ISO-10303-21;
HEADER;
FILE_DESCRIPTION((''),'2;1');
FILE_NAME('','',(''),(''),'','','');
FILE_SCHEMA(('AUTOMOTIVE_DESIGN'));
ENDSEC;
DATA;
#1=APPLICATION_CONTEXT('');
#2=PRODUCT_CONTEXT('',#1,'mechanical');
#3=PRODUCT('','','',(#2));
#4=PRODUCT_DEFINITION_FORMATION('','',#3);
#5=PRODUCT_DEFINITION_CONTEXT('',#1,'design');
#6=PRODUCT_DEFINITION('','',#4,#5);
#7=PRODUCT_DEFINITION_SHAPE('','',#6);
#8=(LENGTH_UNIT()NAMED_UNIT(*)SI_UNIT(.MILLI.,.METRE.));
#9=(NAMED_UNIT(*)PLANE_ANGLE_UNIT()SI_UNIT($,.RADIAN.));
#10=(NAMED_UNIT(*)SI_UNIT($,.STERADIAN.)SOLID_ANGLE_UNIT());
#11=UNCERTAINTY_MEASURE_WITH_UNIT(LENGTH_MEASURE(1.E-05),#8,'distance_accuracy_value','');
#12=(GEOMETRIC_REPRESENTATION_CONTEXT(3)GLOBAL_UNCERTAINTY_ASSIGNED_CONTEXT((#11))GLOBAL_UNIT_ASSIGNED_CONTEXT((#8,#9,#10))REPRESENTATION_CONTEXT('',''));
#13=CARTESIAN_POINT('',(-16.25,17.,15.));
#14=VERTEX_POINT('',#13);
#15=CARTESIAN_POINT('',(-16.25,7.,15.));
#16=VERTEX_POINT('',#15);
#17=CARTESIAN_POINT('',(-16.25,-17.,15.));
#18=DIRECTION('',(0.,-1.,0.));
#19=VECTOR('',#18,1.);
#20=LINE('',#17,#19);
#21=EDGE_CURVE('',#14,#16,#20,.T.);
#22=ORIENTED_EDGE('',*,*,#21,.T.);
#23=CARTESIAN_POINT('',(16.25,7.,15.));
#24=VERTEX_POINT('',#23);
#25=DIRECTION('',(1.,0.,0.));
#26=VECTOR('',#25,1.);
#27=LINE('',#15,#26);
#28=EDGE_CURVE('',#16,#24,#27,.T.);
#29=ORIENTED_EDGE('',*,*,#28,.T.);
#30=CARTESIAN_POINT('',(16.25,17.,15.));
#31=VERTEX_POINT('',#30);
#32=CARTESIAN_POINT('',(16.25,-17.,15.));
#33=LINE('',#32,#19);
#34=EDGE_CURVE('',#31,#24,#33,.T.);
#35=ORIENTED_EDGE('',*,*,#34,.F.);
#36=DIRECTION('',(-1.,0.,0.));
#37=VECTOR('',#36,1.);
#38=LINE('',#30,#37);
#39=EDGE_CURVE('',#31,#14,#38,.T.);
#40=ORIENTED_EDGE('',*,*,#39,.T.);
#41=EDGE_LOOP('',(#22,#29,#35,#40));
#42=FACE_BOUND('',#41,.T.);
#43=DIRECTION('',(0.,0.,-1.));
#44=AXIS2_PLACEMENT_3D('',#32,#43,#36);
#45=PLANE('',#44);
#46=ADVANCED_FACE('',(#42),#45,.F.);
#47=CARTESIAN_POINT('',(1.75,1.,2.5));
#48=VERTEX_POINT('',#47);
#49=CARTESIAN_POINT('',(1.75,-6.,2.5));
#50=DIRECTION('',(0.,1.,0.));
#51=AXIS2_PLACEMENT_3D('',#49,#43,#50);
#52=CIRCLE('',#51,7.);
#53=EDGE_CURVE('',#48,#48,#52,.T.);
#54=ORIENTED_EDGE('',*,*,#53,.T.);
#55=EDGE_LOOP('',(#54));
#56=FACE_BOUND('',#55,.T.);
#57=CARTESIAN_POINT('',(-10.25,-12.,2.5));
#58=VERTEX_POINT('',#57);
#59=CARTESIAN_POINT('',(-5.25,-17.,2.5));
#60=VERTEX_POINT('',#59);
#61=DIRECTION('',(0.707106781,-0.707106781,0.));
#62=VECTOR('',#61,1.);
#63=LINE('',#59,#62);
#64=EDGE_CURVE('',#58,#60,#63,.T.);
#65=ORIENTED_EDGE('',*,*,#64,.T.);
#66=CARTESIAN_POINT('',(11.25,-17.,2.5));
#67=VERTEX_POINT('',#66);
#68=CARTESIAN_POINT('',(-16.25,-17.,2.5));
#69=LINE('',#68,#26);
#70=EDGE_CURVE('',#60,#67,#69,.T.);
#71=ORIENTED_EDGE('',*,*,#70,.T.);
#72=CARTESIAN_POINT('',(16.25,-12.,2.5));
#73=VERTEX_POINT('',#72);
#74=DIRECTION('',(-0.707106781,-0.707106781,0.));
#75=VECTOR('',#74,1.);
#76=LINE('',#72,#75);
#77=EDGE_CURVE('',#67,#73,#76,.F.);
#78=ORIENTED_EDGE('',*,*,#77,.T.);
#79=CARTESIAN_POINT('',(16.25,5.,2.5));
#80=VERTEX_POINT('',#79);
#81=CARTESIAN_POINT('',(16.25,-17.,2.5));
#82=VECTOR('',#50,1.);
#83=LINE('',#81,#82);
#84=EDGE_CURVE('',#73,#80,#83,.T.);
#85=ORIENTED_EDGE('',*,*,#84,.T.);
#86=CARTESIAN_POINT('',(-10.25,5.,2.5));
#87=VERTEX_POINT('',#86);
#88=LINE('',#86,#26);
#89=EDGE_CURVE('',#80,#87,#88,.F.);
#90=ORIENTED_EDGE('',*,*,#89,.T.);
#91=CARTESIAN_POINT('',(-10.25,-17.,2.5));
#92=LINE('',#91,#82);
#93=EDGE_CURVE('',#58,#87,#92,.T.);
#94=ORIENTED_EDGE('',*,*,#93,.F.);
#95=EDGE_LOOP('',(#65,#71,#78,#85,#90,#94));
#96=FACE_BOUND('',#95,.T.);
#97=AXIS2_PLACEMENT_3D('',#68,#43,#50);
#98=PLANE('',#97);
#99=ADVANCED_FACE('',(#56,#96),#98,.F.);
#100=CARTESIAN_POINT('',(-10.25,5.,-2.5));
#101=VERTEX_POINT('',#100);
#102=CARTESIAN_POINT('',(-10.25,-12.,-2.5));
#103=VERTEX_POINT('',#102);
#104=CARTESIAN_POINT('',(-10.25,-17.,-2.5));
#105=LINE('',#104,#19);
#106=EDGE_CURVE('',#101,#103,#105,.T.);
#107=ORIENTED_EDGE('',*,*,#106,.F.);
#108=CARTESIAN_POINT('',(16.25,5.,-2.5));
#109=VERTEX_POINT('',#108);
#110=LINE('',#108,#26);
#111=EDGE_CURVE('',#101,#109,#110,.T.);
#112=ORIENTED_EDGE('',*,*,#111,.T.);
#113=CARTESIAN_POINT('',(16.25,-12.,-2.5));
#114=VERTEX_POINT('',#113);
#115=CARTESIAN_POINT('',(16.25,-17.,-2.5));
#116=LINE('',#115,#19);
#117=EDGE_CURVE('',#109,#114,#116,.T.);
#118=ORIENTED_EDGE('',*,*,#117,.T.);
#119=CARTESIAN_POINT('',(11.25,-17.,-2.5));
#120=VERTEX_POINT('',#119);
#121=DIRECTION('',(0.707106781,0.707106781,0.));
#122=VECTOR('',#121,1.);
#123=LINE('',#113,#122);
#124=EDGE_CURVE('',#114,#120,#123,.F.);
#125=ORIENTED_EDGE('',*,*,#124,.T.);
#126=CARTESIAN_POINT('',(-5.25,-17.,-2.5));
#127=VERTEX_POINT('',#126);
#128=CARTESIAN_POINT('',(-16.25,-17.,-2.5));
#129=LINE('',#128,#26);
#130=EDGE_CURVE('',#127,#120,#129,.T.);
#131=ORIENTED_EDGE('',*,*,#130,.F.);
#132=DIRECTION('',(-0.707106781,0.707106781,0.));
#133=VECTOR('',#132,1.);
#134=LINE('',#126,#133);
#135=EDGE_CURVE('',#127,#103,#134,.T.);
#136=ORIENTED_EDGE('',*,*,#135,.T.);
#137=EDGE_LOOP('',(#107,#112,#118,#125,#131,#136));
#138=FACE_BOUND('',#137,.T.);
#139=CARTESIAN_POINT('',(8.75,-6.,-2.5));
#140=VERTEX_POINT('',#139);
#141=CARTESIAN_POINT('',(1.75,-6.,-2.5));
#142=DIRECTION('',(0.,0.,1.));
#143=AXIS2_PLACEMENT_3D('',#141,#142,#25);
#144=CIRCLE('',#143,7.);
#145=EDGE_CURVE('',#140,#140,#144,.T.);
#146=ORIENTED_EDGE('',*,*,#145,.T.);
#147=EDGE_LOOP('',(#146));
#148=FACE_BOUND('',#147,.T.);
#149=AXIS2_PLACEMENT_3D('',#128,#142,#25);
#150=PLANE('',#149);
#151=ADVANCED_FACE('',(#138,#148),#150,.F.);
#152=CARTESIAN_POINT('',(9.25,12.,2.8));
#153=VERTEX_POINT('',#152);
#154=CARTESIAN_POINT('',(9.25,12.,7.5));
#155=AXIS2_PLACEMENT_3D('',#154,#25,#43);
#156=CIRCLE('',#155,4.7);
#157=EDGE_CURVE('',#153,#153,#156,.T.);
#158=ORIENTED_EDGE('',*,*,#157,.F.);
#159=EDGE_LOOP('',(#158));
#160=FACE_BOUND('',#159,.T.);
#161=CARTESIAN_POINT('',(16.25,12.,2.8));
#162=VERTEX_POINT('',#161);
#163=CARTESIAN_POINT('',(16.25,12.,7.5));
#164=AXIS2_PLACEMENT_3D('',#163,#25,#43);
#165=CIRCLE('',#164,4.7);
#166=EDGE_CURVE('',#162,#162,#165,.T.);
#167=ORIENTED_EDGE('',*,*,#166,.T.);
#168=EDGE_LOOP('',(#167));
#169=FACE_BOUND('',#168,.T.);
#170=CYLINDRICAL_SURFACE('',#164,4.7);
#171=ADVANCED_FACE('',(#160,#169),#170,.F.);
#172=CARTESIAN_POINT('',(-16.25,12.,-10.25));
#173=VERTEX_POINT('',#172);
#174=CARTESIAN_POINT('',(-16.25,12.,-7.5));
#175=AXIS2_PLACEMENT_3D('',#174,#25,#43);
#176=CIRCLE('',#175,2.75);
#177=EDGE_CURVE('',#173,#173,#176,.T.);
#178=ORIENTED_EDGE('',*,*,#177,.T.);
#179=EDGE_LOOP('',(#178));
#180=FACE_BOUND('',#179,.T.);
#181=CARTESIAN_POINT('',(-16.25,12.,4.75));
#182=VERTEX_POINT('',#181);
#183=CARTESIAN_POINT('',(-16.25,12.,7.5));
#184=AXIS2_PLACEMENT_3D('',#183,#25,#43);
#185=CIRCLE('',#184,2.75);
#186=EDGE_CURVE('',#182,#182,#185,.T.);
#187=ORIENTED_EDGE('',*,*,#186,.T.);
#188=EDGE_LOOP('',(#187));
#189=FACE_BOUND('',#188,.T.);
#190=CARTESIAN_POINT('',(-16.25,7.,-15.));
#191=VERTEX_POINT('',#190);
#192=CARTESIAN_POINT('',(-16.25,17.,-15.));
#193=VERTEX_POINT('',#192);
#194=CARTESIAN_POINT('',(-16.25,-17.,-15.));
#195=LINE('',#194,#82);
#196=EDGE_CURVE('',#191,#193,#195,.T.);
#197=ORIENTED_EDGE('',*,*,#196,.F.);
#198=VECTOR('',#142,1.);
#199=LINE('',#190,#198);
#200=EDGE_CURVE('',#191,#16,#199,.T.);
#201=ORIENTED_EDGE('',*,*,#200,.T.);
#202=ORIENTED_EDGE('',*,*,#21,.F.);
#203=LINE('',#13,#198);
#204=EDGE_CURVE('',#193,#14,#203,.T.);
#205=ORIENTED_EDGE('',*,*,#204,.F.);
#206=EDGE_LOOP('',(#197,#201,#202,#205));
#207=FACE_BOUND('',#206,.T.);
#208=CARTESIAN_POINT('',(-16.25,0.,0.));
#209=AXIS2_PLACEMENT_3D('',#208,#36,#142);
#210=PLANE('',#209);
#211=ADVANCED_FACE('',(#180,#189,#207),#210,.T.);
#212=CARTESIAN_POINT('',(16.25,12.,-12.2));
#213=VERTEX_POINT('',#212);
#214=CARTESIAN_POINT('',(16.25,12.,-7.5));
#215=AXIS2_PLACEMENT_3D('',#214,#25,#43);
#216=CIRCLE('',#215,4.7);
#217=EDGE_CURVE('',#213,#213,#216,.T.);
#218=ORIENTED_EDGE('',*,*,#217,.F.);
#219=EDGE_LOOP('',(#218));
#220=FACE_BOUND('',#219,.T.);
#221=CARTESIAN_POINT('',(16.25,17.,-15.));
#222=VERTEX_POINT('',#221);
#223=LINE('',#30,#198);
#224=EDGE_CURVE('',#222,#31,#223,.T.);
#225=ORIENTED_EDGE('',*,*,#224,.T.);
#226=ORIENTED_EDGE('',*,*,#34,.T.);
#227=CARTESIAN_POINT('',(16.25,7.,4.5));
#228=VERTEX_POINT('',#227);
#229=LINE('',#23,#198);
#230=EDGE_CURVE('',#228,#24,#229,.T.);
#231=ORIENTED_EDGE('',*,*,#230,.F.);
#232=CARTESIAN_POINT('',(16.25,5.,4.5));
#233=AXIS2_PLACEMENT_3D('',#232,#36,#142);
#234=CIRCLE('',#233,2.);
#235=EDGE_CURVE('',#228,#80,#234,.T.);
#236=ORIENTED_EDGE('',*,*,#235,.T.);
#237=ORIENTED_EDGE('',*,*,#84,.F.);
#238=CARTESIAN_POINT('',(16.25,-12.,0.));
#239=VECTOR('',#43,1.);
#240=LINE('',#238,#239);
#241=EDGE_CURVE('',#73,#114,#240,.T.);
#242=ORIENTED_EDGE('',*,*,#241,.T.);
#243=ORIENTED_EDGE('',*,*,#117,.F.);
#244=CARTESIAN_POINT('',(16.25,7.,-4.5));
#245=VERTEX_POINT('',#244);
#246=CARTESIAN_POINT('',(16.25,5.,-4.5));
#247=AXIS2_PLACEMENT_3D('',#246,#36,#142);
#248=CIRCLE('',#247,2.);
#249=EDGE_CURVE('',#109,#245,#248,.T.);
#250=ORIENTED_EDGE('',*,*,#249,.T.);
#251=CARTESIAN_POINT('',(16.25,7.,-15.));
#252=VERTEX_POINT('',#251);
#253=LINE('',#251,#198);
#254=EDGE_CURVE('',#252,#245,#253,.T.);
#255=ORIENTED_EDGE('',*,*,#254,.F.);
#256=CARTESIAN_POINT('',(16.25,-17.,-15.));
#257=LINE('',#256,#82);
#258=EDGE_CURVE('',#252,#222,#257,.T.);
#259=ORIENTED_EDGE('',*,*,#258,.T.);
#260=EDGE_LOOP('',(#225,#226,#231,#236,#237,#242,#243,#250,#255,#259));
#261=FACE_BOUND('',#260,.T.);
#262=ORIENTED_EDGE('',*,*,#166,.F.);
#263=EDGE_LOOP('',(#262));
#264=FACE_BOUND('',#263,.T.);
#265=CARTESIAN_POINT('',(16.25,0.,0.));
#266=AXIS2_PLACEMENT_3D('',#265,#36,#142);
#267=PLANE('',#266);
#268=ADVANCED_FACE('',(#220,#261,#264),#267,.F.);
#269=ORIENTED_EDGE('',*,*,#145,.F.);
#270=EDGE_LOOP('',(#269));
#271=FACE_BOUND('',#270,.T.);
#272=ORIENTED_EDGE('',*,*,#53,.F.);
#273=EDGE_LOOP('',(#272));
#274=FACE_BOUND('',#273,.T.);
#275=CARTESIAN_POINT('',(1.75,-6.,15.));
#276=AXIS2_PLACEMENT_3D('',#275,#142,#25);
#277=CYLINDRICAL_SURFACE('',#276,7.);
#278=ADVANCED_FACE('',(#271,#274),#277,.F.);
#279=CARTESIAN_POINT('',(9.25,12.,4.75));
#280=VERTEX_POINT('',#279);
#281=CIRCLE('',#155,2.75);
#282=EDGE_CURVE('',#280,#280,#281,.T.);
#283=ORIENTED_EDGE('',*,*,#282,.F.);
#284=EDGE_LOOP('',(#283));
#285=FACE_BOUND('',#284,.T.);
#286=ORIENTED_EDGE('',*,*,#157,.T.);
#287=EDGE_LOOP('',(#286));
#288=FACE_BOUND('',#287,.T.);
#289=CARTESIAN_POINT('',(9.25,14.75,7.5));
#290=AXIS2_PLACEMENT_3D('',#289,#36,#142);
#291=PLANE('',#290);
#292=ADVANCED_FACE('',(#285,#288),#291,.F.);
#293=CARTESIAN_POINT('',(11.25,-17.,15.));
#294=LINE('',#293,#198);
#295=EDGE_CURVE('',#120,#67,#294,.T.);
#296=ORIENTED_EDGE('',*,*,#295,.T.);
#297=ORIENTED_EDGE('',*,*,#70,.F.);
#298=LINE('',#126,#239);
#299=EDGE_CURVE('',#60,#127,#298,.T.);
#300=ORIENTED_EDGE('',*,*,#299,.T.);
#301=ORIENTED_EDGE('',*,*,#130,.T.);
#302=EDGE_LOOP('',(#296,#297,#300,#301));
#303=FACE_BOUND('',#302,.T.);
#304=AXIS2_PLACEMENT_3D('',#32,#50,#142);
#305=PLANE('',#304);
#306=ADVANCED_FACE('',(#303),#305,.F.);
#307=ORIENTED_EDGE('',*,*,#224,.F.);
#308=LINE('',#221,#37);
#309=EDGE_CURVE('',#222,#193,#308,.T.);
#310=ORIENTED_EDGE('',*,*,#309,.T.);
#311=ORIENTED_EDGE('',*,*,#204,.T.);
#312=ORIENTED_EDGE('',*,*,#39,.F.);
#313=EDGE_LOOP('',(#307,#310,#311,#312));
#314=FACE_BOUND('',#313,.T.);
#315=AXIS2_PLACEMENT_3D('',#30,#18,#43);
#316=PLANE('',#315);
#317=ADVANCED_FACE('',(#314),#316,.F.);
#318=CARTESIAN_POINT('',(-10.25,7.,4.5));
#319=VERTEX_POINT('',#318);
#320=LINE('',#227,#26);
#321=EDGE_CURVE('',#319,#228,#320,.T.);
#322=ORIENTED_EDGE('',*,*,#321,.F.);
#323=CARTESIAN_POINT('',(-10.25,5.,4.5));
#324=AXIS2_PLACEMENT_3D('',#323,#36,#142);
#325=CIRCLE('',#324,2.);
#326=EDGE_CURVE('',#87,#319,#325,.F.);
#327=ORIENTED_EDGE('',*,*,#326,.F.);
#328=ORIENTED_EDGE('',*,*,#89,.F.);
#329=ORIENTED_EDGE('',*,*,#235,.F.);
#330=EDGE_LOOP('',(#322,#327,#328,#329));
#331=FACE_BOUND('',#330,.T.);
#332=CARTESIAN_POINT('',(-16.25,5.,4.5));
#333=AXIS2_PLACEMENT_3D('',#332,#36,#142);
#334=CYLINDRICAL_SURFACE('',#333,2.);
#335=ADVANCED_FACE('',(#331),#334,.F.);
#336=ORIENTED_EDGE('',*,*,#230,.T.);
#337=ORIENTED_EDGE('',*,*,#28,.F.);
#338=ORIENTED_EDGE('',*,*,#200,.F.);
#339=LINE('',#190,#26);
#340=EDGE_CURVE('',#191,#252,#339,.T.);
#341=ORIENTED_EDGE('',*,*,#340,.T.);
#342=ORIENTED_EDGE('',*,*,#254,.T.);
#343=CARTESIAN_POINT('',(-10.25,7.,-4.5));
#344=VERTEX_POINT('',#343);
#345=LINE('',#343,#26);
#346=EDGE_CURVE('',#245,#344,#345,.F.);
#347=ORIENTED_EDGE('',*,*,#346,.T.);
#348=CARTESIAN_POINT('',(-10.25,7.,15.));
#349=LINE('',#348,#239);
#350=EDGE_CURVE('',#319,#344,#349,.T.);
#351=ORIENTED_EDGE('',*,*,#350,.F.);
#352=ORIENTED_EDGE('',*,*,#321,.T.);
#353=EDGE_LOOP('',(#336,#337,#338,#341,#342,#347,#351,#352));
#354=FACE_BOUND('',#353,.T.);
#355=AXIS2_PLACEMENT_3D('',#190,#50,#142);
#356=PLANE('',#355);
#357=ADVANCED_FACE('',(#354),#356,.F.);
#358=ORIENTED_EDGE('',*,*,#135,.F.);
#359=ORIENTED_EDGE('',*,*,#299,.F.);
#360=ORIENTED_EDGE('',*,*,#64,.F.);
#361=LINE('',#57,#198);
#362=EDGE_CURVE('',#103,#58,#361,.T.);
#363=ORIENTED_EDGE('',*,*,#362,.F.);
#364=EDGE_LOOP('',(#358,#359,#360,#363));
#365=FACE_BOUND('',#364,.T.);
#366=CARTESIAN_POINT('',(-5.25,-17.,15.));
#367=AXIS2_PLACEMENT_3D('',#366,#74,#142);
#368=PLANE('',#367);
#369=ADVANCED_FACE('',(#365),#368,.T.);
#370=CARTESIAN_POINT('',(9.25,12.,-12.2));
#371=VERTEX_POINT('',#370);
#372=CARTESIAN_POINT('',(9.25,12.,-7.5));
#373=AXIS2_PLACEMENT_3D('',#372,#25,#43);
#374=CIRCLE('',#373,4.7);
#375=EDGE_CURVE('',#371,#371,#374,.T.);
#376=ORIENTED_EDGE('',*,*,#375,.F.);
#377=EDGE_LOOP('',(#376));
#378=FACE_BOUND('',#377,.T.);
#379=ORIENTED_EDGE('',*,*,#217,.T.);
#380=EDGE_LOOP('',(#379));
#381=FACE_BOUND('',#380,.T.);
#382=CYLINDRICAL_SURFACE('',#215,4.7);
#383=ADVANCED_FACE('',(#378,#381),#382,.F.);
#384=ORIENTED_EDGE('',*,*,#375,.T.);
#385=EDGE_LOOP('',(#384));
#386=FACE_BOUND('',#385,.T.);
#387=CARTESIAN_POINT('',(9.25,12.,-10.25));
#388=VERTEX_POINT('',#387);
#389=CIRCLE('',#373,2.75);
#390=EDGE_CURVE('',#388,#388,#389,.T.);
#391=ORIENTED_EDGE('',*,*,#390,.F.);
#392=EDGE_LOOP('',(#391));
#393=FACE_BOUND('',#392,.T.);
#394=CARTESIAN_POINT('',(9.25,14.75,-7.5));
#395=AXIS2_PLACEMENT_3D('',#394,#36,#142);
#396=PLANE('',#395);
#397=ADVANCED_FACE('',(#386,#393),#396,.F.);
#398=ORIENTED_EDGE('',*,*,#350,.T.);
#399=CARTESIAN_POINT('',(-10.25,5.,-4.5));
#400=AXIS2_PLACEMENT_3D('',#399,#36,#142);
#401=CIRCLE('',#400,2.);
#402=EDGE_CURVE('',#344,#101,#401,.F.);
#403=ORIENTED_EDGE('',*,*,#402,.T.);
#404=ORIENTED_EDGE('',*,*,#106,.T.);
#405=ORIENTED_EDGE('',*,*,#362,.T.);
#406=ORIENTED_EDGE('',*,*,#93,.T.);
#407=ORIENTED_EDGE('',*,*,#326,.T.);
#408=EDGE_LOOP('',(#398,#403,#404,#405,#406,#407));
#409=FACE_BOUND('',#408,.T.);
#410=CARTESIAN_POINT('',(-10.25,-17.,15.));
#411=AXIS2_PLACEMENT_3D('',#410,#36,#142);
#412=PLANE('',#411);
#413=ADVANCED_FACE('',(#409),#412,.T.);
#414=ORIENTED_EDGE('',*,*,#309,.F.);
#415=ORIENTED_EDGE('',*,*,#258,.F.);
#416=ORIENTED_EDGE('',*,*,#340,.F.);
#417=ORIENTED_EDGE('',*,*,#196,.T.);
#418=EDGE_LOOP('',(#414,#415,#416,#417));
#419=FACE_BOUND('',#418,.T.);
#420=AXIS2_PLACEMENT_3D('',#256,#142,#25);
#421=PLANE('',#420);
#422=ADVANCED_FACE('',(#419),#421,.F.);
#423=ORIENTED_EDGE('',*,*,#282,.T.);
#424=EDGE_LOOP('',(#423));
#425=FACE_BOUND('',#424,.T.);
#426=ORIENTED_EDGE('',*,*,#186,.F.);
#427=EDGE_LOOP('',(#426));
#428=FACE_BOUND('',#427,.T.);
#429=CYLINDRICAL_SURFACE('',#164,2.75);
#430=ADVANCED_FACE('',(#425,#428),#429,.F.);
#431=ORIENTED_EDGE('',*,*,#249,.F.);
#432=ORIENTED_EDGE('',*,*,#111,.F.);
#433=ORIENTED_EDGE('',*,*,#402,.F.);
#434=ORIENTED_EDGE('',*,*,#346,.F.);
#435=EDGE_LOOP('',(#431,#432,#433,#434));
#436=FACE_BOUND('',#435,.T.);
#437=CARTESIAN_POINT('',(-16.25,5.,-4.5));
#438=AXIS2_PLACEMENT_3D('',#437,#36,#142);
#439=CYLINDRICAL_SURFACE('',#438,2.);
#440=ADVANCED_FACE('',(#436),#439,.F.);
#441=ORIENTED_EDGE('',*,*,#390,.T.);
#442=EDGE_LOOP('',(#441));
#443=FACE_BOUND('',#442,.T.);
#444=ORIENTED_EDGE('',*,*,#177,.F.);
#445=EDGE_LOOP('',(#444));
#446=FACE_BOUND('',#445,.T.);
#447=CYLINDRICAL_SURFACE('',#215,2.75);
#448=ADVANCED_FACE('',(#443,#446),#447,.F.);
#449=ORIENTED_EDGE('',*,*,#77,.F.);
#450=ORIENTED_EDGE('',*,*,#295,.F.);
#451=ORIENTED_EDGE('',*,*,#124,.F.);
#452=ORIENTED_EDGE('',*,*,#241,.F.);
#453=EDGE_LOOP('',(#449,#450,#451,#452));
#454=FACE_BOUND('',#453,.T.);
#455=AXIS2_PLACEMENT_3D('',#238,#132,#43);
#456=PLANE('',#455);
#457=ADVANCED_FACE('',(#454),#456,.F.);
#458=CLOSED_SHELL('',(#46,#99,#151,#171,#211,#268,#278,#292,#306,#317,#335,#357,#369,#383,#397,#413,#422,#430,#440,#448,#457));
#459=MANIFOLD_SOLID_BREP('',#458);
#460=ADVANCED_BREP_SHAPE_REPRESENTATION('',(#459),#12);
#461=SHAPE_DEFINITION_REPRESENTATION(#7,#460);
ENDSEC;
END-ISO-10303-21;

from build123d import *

# Parameters (mm, degrees)
SKETCH_1_W                  = 30
SKETCH_1_H                  = 34
EXTRUDE_1_DEPTH             = 16.25
SKETCH_2_W                  = 12.5
SKETCH_2_H                  = 24
CUT_EXTRUDE_1_DEPTH         = 40.626380102
SKETCH_5_W                  = 6
SKETCH_5_H                  = 24
CUT_EXTRUDE_2_DEPTH         = 49.521258228
HOLE_WIZARD_1_D             = 14
HOLE_WIZARD_1_2_D           = 5.5
HOLE_WIZARD_1_2_CBORE_D     = 9.4
HOLE_WIZARD_1_2_CBORE_DEPTH = 7
FILLET_1_R                  = 2
CHAMFER_1_SIZE              = 5


with BuildPart() as part:
    # 草图1 → 凸台-拉伸1 (new, symmetric)
    with BuildSketch(Plane(origin=(0, 0, 0), x_dir=(0, 0, -1), z_dir=(1, 0, 0))):
        Rectangle(SKETCH_1_W, SKETCH_1_H)
    extrude(amount=EXTRUDE_1_DEPTH, both=True)

    # 草图2 → 切除-拉伸1 (cut, through all)
    with BuildSketch(Plane(origin=(16.25, 0, 0), x_dir=(0, 0, -1), z_dir=(1, 0, 0))):
        with Locations((8.75, -5)):
            Rectangle(SKETCH_2_W, SKETCH_2_H)
        with Locations((-8.75, -5)):
            Rectangle(SKETCH_2_W, SKETCH_2_H)
    extrude(amount=-CUT_EXTRUDE_1_DEPTH, mode=Mode.SUBTRACT)

    # 草图5 → 切除-拉伸2 (cut, through all)
    with BuildSketch(Plane(origin=(0, 17.5, -15), x_dir=(1, 0, 0), z_dir=(0, 0, 1))):
        with Locations((-13.25, -22.5)):
            Rectangle(SKETCH_5_W, SKETCH_5_H)
    extrude(amount=CUT_EXTRUDE_2_DEPTH, mode=Mode.SUBTRACT)

    # Hole Wizard 1 (through all)
    with Locations(Plane.XY.offset(15)):
        with Locations((1.75, -6)):
            Hole(HOLE_WIZARD_1_D / 2)

    # Hole Wizard 1 2 (through all)
    with Locations(Plane(origin=(16.25, 0, 0), x_dir=(0, 0, -1), z_dir=(1, 0, 0))):
        with Locations((7.5, 12), (-7.5, 12)):
            CounterBoreHole(HOLE_WIZARD_1_2_D / 2, HOLE_WIZARD_1_2_CBORE_D / 2, HOLE_WIZARD_1_2_CBORE_DEPTH)

    # 圆角1
    fillet_1_edges = [part.edges().sort_by_distance(p)[0] for p in [
        (3, 7, 2.5),
        (3, 7, -2.5),
    ]]
    fillet(fillet_1_edges, radius=FILLET_1_R)

    # 倒角1
    chamfer_1_edges = [part.edges().sort_by_distance(p)[0] for p in [
        (16.25, -17, 0),
        (-10.25, -17, 0),
    ]]
    chamfer(chamfer_1_edges, length=CHAMFER_1_SIZE)


solid = part.part
